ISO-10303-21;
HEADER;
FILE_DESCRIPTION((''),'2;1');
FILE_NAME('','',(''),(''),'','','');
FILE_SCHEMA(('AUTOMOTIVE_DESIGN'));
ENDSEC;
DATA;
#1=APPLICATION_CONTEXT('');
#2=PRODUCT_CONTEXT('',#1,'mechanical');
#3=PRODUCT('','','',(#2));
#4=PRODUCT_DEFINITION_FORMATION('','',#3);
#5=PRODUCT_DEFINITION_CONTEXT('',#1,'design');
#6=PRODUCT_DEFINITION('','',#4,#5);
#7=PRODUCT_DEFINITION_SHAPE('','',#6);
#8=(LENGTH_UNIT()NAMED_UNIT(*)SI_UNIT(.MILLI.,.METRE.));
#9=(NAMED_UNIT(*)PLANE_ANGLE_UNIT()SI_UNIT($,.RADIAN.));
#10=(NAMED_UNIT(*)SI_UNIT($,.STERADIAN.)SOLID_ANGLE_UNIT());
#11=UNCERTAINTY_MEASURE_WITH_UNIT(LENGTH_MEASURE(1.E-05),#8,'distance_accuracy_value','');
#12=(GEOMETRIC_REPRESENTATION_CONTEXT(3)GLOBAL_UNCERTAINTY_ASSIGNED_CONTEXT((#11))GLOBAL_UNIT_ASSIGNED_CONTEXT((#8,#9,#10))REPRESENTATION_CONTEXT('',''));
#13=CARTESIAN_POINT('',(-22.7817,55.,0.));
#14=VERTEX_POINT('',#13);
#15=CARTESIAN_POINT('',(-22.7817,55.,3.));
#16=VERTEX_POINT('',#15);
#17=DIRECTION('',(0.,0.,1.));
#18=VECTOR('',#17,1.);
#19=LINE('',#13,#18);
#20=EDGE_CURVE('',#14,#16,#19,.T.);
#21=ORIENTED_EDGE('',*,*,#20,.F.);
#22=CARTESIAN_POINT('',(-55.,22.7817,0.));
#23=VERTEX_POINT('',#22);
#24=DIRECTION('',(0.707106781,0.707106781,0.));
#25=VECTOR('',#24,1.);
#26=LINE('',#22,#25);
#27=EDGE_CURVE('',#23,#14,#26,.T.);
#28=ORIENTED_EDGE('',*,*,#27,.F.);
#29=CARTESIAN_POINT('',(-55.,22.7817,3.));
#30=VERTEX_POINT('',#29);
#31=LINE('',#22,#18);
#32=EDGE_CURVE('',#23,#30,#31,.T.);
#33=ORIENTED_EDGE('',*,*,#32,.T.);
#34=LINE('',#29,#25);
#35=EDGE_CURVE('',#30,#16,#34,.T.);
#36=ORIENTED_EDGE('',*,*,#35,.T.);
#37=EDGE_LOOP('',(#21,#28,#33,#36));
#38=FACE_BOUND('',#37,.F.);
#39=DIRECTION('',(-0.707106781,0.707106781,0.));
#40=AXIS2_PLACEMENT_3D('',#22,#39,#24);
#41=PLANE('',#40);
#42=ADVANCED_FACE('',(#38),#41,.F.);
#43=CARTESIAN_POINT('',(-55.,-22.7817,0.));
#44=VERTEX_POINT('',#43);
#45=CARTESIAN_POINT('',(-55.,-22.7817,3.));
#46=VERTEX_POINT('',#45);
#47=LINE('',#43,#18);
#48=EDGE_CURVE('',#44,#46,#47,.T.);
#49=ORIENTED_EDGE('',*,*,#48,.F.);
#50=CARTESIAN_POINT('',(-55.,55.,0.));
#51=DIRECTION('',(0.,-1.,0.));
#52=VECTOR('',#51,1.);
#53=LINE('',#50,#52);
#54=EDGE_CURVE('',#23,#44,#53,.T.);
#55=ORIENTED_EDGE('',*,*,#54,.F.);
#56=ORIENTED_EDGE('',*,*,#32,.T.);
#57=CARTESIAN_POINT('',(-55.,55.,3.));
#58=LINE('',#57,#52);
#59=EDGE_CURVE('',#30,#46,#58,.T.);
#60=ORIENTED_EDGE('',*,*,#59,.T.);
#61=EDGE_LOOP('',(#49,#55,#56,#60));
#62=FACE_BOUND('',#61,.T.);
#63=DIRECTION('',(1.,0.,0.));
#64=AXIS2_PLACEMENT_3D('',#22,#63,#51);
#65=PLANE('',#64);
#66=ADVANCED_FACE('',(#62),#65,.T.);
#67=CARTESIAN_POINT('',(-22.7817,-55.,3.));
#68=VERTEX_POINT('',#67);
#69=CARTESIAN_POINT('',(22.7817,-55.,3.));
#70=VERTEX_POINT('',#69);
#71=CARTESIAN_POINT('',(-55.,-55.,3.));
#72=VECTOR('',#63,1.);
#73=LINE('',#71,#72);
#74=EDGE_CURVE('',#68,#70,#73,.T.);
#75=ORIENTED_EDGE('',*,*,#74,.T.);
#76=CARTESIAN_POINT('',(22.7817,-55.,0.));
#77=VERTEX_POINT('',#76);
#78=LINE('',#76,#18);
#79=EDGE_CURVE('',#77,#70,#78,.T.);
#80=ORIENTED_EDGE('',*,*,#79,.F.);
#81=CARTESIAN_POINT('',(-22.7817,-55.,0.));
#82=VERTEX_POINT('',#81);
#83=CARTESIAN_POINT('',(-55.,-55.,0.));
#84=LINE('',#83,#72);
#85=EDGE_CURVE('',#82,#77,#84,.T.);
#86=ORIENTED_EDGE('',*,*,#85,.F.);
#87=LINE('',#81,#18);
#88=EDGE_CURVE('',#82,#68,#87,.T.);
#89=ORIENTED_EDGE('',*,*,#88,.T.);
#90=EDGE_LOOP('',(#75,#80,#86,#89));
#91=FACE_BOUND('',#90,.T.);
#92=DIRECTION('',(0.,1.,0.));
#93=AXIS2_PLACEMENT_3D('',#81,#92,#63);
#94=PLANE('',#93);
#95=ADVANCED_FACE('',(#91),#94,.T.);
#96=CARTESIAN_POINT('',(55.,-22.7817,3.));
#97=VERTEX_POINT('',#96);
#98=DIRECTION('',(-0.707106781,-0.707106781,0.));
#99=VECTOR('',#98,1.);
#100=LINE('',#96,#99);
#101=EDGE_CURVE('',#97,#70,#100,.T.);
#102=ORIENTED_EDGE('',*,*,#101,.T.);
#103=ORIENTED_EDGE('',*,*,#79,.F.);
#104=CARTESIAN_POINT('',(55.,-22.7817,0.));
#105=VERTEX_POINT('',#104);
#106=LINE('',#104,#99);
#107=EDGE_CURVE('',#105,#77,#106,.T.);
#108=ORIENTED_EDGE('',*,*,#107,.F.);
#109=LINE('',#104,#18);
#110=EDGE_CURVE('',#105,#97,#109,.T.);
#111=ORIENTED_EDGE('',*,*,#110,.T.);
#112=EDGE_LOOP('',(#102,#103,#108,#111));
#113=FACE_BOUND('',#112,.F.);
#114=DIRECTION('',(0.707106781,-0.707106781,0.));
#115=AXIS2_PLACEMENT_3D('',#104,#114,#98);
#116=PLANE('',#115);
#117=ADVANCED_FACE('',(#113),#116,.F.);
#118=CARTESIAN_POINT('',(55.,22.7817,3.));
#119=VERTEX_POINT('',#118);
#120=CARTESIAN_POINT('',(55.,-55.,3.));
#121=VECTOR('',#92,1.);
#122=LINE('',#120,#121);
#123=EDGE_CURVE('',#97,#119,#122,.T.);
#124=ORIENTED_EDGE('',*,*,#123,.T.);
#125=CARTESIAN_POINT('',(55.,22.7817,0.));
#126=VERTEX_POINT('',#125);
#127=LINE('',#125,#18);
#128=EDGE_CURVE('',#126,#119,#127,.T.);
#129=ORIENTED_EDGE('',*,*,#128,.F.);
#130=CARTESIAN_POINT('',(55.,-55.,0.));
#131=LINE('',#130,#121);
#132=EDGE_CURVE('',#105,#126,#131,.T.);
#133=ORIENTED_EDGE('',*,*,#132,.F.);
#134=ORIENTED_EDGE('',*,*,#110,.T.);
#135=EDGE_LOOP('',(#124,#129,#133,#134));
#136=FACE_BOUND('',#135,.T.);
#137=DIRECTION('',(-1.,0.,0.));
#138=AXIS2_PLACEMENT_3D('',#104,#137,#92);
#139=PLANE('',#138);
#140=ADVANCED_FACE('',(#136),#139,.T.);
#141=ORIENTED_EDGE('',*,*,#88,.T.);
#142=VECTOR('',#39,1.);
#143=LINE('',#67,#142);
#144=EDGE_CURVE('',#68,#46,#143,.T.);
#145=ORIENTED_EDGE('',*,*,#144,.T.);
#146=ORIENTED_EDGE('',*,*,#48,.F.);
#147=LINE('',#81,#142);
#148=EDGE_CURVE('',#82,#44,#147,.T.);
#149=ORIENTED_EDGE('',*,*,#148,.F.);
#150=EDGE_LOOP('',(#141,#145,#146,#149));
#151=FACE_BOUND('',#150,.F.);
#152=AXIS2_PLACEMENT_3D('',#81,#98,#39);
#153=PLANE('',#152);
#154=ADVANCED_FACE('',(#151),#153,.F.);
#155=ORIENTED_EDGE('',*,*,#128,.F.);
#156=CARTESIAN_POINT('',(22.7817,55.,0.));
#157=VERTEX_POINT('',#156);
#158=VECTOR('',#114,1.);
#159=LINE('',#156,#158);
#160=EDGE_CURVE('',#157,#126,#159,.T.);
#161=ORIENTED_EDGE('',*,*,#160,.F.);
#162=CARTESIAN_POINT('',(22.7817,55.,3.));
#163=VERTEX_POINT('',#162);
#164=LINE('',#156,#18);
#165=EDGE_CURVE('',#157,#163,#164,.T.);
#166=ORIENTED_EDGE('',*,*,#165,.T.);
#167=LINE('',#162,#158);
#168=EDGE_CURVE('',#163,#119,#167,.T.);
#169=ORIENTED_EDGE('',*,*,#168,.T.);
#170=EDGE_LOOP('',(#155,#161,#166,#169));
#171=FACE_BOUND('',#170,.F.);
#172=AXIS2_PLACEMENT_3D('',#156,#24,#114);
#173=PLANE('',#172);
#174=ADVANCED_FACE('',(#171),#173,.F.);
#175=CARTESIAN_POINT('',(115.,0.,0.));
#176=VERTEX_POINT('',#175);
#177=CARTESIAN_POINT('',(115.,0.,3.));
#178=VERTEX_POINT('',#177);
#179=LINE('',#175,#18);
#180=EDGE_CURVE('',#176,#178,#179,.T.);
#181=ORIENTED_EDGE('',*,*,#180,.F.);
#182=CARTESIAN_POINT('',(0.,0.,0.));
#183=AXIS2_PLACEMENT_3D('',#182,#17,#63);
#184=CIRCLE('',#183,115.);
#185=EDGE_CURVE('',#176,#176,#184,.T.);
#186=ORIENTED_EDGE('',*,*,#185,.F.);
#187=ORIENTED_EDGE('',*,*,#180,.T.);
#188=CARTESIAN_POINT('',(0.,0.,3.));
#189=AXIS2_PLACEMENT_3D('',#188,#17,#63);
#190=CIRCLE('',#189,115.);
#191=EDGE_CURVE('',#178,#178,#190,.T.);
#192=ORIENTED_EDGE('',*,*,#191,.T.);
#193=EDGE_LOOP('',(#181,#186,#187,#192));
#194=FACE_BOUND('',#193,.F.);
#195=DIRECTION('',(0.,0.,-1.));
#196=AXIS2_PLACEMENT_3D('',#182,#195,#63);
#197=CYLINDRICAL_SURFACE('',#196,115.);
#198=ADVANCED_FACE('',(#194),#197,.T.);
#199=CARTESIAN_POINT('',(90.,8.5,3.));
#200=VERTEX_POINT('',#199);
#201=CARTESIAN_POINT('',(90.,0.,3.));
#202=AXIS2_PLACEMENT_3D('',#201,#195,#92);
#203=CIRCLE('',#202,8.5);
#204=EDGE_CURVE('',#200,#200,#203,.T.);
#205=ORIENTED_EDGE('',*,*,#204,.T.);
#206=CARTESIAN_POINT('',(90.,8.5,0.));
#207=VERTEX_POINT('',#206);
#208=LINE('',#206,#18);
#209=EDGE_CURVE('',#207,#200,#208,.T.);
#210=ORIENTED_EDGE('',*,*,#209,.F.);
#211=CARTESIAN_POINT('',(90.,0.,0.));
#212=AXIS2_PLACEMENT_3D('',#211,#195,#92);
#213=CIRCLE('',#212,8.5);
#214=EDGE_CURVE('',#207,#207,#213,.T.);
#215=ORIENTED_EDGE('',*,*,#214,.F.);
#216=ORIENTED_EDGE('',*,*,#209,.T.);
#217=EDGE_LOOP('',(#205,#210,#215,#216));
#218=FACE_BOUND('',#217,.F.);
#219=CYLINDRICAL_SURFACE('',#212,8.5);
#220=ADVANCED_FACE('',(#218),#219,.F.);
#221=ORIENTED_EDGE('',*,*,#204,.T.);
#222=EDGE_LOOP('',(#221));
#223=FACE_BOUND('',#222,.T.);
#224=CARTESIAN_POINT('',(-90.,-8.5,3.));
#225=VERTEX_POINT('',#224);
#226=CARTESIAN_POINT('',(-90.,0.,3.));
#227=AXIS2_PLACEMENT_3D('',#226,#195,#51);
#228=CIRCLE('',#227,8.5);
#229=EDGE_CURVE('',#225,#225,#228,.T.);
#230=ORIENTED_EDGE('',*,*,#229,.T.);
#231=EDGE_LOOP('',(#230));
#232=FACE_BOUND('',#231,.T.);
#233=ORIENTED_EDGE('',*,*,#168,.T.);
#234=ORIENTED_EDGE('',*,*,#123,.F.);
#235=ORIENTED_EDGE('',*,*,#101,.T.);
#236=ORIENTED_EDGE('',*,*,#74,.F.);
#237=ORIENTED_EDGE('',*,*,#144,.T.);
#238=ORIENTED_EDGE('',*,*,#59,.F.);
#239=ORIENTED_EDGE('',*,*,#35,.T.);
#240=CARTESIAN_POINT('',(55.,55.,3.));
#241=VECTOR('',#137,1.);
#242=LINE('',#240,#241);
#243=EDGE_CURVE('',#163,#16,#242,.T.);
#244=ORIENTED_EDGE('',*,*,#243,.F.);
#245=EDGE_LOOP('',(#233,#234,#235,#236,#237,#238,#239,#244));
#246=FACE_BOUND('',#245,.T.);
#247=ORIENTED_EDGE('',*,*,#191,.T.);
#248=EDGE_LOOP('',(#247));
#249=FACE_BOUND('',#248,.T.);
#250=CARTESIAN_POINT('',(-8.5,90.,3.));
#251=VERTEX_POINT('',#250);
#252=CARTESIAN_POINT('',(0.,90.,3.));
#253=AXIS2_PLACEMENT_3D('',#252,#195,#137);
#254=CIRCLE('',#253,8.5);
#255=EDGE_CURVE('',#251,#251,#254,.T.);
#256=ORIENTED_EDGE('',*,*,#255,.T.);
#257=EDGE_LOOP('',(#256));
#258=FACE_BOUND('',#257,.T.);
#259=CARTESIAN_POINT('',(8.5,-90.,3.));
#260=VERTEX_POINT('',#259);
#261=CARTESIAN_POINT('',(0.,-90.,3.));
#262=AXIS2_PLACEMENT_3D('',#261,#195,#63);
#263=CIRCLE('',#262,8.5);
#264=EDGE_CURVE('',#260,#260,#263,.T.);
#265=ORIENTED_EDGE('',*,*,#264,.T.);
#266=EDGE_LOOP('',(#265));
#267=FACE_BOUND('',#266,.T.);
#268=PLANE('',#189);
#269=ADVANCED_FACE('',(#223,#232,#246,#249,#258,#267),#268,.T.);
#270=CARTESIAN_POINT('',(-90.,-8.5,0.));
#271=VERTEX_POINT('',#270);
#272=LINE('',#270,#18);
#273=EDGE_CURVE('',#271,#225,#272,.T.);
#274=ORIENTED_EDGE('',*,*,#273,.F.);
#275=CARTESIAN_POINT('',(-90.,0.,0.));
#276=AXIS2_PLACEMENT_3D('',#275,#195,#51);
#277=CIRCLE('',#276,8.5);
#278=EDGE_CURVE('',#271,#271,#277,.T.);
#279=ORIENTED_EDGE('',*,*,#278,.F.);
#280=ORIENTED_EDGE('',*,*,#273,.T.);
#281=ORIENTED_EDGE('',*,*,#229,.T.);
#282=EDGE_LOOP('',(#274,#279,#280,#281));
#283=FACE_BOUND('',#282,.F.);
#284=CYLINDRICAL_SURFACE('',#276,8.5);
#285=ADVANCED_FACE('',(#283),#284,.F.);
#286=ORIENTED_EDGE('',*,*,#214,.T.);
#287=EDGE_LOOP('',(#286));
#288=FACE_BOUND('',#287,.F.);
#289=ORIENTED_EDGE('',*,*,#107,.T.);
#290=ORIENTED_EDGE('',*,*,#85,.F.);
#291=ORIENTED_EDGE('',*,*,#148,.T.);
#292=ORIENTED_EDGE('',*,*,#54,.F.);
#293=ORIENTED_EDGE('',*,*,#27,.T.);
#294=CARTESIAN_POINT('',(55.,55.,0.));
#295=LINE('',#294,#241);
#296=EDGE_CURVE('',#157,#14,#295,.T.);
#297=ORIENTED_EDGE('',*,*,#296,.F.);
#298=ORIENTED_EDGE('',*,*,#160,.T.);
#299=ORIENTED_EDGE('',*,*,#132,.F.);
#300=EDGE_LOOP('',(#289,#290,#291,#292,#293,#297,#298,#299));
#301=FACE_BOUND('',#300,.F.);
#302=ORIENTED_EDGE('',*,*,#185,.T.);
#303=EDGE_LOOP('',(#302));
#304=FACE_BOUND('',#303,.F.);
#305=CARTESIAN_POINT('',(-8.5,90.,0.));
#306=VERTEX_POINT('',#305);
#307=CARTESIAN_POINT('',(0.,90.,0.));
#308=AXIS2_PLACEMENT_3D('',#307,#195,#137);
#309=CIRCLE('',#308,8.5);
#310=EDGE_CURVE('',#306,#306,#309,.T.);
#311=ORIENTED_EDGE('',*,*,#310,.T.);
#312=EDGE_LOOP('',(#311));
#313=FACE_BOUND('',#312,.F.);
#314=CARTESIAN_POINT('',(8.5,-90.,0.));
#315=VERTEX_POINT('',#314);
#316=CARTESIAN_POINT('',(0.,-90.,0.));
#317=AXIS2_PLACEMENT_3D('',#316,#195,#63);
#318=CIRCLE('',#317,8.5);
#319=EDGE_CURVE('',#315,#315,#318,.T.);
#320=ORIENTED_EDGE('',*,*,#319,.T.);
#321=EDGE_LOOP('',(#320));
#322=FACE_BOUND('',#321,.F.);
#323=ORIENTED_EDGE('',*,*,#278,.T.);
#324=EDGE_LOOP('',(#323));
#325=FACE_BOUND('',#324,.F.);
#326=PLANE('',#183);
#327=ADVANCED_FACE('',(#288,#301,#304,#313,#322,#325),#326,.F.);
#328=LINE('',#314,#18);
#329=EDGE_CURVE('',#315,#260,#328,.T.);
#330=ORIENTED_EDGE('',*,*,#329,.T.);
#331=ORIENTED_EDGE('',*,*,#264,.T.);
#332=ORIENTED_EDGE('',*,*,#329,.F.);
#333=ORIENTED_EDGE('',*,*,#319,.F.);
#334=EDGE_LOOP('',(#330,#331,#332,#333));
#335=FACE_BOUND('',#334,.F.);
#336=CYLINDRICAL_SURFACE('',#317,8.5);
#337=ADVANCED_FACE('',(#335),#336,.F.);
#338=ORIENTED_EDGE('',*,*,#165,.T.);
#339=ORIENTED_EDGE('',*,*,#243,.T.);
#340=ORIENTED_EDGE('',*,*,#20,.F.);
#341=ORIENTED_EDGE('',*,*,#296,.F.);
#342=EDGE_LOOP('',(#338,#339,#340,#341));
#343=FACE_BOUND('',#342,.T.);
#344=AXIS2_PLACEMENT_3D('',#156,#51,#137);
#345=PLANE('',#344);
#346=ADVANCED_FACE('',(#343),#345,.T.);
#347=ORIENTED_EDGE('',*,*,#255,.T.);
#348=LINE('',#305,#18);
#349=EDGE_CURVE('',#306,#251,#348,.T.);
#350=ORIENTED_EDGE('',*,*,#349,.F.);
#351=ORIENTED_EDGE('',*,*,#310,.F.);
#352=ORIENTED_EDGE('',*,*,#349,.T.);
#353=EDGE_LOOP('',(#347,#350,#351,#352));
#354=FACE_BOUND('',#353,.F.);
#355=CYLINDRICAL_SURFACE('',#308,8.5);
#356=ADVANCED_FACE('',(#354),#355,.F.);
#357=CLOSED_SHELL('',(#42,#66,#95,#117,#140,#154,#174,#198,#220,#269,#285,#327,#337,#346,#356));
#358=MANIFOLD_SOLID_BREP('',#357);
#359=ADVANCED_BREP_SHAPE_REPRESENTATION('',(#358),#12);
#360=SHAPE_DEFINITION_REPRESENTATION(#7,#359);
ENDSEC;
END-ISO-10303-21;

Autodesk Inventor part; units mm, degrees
ref_plane "YZ Plane" through (0, 0, 0) normal (1, 0, 0) x (0, 1, 0)
ref_plane "XZ Plane" through (0, 0, 0) normal (0, 1, 0) x (-1, 0, 0)
ref_plane "XY Plane" through (0, 0, 0) normal (0, 0, 1) x (1, 0, 0)
sketch "Sketch1" plane through (0, 0, 0) normal (0, 0, 1) x (1, 0, 0)
  circle A0 centre (0, 0) radius 115
  line L0 (55, 55) -> (-55, 55)
  line L1 (-55, 55) -> (-55, -55)
  line L2 (-55, -55) -> (55, -55)
  line L3 (55, -55) -> (55, 55)
  line L4 (55, 55) -> (-55, -55) construction
  line L5 (-55, 55) -> (55, -55) construction
  line L6 (-55, 22.7817) -> (-22.7817, 55)
  line L7 (22.7817, 55) -> (55, 22.7817)
  line L8 (55, -22.7817) -> (22.7817, -55)
  line L9 (-22.7817, -55) -> (-55, -22.7817)
  dimension "d157" = 230
  dimension "d158" = 110
  dimension "d159" = 110
  dimension "d171" = 110
  dimension "d172" = 110
extrude "Plate5" add sketch "Sketch1" along normal blind 3 contours A0 | L3 L7 L0 | L6 L1 L0 | L3 L2 L8 | L9 L2 L1
sketch "Sketch7" plane through (0, 0, 0) normal (0, 0, -1) x (-1, 0, 0)
  circle A0 centre (0, 90) radius 8.5
  circle A1 centre (0, 0) radius 90 construction
  dimension "d170" = 180
  dimension "d160" = 17
extrude "Cut1" cut sketch "Sketch7" against normal blind 3
pattern_circular "Circular Pattern1" count 4 over 360 about axis through (0, 0, -10) along (0, 0, 1) of "Cut1"
properties part number "APN 1472  funnel FLANGE 1200 50-90" material "Stainless Steel"
